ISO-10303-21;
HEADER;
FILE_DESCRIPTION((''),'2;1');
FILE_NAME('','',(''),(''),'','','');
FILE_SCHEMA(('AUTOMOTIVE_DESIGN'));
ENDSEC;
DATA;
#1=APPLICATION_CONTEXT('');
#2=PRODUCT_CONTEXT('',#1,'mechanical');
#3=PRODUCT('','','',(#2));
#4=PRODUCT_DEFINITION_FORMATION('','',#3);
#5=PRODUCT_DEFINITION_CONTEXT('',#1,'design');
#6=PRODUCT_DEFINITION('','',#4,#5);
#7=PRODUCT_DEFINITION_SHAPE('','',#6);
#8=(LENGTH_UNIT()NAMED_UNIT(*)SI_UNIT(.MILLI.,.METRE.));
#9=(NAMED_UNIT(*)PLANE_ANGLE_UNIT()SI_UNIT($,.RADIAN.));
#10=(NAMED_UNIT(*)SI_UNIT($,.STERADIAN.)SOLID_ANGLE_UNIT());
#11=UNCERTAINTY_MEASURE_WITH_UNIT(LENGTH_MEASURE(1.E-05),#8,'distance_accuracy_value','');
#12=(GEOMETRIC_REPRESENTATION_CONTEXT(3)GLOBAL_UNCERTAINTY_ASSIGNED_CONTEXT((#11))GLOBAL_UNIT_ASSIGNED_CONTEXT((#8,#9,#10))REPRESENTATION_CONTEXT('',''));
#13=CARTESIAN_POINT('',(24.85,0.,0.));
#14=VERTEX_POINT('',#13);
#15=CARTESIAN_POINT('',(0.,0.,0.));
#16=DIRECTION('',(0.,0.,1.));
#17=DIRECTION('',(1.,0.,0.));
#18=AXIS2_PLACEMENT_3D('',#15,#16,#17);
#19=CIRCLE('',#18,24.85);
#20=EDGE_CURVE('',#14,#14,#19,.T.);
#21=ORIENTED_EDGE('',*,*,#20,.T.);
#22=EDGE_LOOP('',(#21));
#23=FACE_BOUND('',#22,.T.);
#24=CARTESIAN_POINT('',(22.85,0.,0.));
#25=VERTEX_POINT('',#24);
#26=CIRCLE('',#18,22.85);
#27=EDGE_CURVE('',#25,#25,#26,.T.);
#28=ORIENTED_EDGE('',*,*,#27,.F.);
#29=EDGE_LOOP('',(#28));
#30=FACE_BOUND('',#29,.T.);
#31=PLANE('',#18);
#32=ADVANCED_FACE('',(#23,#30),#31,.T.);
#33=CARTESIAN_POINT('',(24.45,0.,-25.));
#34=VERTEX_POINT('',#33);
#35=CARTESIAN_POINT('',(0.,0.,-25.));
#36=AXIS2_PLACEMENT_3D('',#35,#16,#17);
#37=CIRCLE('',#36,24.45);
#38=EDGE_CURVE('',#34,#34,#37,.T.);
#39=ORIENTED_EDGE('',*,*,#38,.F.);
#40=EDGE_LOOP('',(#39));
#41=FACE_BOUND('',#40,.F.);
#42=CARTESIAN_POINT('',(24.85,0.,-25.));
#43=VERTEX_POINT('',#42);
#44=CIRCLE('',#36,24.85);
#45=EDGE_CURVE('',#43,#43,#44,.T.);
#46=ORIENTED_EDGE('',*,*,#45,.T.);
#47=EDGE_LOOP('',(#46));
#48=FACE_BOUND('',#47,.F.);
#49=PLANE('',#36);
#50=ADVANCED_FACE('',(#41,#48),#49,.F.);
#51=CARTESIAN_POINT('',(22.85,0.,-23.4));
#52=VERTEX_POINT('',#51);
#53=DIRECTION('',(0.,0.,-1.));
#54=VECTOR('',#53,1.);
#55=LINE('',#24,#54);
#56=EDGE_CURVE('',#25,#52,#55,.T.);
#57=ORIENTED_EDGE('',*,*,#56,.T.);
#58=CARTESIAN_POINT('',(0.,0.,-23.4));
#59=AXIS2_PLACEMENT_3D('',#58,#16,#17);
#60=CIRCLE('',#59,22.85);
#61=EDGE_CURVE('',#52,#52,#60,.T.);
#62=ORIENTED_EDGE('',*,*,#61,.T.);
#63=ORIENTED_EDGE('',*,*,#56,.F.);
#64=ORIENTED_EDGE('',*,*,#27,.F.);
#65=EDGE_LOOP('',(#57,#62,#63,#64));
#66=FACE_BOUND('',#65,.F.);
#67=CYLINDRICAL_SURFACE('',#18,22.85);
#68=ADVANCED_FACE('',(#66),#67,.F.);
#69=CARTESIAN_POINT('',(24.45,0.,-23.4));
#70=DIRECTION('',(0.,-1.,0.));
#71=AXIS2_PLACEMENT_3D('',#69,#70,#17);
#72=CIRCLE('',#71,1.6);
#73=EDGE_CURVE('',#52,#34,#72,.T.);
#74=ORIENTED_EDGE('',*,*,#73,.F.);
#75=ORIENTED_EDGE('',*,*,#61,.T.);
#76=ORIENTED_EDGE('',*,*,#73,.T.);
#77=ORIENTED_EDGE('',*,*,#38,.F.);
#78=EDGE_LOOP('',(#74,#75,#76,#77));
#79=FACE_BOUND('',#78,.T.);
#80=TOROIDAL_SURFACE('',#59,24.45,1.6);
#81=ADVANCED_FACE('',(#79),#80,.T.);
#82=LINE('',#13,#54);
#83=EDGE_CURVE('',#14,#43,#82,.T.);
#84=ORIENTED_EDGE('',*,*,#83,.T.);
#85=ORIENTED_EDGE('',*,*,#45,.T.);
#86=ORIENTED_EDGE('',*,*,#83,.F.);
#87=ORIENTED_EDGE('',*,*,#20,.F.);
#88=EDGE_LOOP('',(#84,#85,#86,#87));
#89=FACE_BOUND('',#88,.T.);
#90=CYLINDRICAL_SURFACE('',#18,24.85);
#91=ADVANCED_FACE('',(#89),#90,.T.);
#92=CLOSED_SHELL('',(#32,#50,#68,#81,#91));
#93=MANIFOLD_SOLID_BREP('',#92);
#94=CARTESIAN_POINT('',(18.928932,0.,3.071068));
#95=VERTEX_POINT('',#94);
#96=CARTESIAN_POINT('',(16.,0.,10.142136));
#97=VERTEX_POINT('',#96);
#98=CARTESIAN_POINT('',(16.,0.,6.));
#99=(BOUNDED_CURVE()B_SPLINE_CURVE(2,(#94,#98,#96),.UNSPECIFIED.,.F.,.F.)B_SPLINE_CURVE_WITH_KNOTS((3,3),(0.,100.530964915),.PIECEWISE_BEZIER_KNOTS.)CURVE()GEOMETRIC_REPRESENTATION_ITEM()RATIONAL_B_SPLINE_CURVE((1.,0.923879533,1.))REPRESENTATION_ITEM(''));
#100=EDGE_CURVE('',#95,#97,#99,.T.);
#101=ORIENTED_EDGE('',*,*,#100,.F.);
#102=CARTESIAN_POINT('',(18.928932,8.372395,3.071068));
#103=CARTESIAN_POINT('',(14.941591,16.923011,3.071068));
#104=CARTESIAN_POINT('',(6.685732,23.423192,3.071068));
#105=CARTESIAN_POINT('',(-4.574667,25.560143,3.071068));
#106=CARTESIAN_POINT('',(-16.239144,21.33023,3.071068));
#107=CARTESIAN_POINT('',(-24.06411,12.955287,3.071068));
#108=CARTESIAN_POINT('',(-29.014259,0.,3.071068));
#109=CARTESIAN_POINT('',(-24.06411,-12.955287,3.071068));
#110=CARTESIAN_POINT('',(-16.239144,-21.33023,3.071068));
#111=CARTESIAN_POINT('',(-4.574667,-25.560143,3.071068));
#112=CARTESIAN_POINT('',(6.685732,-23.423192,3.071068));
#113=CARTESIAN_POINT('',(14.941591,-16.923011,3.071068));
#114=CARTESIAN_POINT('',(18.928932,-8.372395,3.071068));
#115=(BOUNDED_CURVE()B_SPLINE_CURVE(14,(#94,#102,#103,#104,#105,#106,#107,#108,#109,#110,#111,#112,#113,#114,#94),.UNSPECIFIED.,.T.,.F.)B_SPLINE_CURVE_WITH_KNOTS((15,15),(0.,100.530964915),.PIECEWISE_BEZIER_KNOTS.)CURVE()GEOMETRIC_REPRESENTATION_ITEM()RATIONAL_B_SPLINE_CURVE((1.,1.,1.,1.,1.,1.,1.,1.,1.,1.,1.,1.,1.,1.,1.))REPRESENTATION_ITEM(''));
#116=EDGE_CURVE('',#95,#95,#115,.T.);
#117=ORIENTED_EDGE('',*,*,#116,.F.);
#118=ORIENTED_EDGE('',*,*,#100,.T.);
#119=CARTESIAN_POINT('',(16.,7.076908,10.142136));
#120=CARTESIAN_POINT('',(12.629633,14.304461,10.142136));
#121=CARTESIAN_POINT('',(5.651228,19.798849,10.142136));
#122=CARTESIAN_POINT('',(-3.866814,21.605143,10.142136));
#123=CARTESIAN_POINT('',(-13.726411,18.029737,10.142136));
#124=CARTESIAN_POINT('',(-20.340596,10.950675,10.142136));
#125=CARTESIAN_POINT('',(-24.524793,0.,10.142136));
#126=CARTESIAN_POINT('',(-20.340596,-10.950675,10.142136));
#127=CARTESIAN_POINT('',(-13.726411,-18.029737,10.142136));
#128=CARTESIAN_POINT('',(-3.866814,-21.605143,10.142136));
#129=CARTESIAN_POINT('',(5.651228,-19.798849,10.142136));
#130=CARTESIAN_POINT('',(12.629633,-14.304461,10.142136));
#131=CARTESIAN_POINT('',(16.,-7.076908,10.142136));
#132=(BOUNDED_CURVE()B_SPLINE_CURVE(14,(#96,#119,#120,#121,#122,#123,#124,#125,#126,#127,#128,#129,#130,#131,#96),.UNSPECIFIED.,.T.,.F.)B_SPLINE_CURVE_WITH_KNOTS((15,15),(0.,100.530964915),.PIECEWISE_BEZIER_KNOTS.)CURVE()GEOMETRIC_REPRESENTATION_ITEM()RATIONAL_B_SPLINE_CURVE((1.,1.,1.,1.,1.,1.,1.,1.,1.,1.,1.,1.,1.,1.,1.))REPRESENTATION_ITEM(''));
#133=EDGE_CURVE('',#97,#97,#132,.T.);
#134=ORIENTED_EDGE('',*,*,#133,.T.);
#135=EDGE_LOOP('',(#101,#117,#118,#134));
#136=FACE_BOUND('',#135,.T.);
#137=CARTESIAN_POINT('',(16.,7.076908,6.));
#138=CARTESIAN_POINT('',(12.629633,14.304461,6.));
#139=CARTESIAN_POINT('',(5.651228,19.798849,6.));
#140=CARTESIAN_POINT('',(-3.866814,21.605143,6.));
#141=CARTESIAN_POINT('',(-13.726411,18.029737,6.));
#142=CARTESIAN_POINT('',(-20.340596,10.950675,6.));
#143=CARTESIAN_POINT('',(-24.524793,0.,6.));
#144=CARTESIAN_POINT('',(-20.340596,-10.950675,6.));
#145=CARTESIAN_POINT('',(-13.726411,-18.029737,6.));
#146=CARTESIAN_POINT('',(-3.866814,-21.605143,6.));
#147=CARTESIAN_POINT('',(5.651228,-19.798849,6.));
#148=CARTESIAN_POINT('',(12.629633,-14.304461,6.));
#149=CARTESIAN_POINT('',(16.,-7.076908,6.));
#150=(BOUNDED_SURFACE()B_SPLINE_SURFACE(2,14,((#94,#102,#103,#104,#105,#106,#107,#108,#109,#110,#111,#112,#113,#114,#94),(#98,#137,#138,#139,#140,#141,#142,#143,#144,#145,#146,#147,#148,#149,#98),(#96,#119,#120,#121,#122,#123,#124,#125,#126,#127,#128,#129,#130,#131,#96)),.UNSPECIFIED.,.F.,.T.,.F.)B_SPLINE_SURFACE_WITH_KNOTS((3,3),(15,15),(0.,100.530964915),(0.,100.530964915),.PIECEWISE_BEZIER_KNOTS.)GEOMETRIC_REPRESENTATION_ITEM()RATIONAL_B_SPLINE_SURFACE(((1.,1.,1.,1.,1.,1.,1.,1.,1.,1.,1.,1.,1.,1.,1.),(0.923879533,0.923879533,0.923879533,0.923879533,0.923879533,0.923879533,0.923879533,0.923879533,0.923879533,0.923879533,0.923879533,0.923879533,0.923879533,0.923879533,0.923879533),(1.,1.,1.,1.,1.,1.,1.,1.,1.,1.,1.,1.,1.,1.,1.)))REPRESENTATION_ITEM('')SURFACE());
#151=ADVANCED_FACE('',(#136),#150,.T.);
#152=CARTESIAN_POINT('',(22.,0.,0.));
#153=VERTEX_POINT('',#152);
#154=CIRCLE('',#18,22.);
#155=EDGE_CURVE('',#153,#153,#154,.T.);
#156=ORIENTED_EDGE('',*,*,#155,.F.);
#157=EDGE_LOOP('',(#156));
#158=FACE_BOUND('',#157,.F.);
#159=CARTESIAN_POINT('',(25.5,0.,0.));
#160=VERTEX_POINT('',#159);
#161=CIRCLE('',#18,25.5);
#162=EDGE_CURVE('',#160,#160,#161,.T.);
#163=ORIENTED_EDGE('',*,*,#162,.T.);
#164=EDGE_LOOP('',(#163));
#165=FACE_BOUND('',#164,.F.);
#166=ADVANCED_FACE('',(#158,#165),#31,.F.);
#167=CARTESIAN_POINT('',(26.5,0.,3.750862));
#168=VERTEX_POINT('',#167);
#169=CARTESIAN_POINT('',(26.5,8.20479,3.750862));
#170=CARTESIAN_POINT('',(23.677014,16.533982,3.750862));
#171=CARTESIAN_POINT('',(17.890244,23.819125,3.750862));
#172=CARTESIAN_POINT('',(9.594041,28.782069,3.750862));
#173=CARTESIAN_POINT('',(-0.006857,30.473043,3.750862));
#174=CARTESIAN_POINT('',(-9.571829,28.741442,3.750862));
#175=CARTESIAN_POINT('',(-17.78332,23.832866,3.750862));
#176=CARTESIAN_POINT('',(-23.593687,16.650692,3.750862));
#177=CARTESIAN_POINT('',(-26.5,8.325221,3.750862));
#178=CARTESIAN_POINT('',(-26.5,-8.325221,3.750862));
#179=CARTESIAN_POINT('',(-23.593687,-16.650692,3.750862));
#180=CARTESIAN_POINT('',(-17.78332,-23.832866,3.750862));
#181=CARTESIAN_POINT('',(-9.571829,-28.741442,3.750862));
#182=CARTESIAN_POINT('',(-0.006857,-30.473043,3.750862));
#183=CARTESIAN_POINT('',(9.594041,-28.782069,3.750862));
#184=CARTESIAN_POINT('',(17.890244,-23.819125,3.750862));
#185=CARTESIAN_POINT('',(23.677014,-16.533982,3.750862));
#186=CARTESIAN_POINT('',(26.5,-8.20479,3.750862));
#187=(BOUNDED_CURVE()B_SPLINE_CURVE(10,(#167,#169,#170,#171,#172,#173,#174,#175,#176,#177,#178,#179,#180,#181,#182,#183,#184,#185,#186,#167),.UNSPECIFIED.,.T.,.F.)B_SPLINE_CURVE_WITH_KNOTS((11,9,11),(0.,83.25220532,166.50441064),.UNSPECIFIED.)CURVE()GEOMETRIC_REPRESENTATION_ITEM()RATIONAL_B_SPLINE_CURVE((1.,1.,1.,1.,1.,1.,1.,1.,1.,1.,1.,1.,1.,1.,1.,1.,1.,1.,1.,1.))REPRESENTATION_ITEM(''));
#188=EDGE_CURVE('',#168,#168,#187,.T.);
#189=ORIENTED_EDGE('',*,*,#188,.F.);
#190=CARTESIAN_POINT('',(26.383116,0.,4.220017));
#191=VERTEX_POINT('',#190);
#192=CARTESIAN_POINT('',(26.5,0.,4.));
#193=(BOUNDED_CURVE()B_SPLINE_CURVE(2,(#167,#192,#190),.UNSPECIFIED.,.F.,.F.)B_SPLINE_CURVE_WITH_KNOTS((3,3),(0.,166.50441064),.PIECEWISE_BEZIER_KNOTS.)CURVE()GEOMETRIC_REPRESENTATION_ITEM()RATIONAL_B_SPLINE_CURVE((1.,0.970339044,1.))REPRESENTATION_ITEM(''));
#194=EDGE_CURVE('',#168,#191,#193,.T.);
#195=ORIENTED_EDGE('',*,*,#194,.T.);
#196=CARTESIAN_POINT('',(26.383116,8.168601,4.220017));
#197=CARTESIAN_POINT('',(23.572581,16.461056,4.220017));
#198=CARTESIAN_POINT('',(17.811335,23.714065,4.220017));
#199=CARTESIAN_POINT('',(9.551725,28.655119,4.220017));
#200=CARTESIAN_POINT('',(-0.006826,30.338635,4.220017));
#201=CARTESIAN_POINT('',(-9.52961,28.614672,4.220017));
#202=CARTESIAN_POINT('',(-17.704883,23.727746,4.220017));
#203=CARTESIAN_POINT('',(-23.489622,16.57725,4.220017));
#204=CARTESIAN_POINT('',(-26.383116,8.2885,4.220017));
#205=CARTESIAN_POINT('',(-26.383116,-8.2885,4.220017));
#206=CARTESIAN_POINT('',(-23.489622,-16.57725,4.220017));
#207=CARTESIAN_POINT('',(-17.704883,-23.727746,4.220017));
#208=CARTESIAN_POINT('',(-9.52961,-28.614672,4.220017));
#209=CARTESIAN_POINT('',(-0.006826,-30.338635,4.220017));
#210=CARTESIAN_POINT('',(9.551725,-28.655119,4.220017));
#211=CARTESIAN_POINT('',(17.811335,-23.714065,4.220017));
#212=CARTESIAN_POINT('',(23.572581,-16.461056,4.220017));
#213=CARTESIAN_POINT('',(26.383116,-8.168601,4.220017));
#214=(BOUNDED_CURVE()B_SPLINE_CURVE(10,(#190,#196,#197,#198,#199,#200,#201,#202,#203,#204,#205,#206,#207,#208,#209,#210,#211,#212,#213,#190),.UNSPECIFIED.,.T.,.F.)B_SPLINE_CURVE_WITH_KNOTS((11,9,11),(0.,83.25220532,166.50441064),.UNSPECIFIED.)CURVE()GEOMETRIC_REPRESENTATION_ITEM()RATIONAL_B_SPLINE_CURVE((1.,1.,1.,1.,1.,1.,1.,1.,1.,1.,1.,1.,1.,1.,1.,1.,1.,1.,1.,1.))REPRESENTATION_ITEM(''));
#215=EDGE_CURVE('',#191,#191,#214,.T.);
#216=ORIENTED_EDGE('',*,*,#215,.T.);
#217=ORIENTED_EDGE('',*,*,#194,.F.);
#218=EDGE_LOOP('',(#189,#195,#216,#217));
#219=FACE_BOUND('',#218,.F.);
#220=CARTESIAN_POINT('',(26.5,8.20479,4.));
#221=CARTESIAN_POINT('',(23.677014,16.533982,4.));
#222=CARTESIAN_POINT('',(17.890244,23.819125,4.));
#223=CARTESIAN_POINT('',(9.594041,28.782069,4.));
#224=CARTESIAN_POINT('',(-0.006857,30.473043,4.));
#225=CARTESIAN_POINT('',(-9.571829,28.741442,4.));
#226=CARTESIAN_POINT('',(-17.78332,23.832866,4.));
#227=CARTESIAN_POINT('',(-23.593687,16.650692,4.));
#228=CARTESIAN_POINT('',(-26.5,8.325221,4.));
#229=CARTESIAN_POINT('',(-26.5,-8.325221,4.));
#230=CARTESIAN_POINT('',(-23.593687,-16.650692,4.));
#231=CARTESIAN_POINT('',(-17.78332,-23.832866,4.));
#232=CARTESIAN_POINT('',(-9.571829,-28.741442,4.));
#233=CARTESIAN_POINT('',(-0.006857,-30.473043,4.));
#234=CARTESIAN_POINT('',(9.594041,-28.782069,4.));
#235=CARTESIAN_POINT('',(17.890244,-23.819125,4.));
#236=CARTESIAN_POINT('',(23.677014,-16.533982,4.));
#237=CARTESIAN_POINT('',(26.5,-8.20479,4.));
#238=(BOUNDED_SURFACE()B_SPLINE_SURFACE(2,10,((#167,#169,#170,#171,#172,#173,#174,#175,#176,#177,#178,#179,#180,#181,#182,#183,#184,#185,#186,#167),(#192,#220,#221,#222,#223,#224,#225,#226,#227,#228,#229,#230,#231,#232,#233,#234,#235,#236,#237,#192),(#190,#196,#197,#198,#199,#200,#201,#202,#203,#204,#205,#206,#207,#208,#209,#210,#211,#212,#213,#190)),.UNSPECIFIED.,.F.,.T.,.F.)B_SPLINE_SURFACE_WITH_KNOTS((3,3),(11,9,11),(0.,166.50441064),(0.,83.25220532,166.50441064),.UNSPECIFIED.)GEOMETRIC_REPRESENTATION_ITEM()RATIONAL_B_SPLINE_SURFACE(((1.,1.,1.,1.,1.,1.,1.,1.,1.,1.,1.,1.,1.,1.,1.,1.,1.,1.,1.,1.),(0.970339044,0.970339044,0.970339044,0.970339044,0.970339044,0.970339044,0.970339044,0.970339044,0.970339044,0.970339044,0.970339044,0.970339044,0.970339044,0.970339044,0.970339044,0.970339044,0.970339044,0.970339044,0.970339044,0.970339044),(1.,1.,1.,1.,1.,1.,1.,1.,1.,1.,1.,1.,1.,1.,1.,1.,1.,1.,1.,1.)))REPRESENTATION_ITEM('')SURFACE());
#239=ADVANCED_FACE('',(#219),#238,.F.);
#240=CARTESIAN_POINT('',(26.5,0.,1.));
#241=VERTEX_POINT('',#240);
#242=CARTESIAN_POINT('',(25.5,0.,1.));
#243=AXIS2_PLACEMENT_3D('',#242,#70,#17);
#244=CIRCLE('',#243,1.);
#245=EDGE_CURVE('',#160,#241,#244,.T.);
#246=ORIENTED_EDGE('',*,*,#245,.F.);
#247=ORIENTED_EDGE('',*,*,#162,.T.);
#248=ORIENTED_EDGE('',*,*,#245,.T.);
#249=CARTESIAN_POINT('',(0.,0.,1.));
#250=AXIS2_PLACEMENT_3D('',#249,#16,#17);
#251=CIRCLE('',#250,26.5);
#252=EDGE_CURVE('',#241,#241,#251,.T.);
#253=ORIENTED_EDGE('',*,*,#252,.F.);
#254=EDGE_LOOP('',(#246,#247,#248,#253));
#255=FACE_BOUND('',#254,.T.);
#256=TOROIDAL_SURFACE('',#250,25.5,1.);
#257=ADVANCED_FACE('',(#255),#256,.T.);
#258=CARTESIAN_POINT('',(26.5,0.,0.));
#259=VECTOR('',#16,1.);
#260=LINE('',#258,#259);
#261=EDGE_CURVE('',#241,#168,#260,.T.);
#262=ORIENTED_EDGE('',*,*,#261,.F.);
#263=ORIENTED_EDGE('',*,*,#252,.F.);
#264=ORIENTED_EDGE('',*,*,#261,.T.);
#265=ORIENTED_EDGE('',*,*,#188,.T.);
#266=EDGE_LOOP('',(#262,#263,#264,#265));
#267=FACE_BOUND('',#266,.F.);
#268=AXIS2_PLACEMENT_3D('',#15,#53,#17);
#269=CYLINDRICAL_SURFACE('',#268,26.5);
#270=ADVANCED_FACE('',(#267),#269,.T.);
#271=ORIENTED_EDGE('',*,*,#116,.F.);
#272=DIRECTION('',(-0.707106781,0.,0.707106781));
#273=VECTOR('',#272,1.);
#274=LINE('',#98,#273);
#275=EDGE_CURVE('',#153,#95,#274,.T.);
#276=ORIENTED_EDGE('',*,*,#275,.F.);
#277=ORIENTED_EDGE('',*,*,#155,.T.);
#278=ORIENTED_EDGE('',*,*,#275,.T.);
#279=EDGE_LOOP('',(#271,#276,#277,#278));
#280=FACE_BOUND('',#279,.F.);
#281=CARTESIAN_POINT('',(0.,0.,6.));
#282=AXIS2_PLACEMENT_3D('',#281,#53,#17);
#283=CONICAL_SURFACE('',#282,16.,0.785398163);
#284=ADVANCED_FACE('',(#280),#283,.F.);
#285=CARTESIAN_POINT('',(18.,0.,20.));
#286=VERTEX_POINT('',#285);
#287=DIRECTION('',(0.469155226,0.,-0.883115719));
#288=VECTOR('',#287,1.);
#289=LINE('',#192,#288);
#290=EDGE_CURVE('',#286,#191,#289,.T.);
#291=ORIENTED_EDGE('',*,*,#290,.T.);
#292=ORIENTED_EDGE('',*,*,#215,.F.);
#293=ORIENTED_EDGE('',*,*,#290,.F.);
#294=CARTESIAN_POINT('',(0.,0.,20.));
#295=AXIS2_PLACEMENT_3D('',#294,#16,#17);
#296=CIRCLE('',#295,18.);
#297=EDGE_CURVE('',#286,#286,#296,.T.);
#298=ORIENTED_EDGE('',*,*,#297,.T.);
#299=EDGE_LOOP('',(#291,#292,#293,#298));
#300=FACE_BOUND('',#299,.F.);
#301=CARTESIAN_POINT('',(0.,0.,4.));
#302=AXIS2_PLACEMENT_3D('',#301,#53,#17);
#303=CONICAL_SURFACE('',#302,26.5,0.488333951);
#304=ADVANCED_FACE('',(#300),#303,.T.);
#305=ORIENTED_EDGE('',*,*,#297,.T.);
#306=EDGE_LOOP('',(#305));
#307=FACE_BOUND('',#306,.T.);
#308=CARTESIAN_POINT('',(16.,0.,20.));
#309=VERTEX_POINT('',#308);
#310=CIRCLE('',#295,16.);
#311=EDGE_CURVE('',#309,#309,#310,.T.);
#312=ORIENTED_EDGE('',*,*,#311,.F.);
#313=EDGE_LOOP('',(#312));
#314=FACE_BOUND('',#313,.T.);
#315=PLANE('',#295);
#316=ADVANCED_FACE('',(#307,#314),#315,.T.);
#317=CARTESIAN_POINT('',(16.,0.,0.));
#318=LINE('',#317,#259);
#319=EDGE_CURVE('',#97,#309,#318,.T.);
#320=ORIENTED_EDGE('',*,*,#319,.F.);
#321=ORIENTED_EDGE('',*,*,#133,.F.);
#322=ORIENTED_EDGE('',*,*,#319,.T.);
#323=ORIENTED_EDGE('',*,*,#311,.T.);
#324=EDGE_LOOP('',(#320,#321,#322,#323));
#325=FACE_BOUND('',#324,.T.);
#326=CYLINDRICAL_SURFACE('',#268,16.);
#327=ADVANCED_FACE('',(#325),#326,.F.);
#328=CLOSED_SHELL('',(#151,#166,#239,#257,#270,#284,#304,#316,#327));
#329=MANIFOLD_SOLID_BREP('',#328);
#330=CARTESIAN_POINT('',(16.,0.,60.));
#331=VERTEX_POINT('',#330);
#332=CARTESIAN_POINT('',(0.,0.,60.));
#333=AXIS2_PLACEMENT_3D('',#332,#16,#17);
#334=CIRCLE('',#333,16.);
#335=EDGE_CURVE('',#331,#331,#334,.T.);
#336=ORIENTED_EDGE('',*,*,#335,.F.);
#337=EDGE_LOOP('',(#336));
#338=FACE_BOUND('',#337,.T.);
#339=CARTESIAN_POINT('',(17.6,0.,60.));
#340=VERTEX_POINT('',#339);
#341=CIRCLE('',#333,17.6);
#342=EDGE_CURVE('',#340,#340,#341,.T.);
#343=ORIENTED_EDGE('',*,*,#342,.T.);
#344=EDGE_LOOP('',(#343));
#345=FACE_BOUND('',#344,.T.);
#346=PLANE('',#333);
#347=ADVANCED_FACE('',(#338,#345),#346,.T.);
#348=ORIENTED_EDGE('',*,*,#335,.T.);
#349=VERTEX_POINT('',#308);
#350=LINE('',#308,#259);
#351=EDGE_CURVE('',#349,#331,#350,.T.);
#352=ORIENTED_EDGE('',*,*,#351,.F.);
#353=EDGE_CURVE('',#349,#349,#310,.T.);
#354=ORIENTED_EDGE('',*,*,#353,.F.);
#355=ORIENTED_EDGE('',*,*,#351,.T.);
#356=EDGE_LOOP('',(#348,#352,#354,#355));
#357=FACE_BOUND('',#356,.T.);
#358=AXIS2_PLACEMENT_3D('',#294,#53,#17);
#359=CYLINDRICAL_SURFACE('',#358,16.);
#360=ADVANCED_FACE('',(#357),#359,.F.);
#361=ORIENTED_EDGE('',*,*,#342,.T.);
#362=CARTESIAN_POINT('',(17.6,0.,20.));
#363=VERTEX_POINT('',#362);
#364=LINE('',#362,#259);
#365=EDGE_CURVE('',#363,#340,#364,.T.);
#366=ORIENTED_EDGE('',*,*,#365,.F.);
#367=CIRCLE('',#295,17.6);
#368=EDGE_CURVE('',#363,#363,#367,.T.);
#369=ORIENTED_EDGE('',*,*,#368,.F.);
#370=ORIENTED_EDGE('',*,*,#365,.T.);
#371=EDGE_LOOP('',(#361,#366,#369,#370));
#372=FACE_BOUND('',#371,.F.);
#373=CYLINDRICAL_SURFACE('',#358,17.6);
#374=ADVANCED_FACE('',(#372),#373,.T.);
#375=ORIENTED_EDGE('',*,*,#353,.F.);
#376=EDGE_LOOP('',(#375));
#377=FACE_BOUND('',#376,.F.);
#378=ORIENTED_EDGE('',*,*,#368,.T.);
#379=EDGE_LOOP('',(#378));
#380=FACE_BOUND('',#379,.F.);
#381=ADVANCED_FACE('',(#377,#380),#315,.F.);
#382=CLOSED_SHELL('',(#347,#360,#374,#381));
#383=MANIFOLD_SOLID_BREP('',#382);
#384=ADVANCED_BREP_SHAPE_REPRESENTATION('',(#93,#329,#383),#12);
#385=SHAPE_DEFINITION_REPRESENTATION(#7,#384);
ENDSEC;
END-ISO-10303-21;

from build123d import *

# Parameters (mm, degrees)
F0_R     = 24.85
F0_R_2   = 22.85
F1_DEPTH = 25
F2_START = 20
F0_R_3   = 17.6
F0_R_4   = 16
F2_DEPTH = 40
F0_R_5   = 26.5
F3_DEPTH = 20
F4_SIZE2 = 16
F4_SIZE  = 8.5
F5_SIZE  = 6
F6_R     = 10
F7_R     = 1.6
F8_R     = 1


with BuildPart() as f1:
    # F0 (on Top) → F1 (new body)
    with BuildSketch(Plane.XY):
        Circle(F0_R)
        Circle(F0_R_2, mode=Mode.SUBTRACT)
    extrude(amount=-F1_DEPTH)

    # F7
    f7_edges = [f1.edges().sort_by_distance(p)[0] for p in [
        (-22.85, 0, -25),
    ]]
    fillet(f7_edges, radius=F7_R)


with BuildPart() as f2:
    # F0 (on Top) → F2 (new body)
    with BuildSketch(Plane.XY.offset(F2_START)):
        Circle(F0_R_3)
        Circle(F0_R_4, mode=Mode.SUBTRACT)
    extrude(amount=F2_DEPTH)


with BuildPart() as f3:
    # F0 (on Top) → F3 (new body)
    with BuildSketch(Plane.XY):
        Circle(F0_R_5)
        Circle(F0_R, mode=Mode.SUBTRACT)
        Circle(F0_R)
        Circle(F0_R_2, mode=Mode.SUBTRACT)
        Circle(F0_R_2)
        Circle(F0_R_3, mode=Mode.SUBTRACT)
        Circle(F0_R_3)
        Circle(F0_R_4, mode=Mode.SUBTRACT)
    extrude(amount=F3_DEPTH)

    # F4
    f4_edges = [f3.edges().sort_by_distance(p)[0] for p in [
        (-26.5, 0, 20),
    ]]
    f4_side = f3.faces().sort_by_distance((-16.749533, 0, 20))[0]
    chamfer(f4_edges, length=F4_SIZE, length2=F4_SIZE2, reference=f4_side)

    # F5
    f5_edges = [f3.edges().sort_by_distance(p)[0] for p in [
        (-16, 0, 0),
    ]]
    chamfer(f5_edges, length=F5_SIZE)

    # F6
    f6_edges = [f3.edges().sort_by_distance(p)[0] for p in [
        (-16, 0, 6),
    ]]
    fillet(f6_edges, radius=F6_R)

    # F8
    f8_edges = [f3.edges().sort_by_distance(p)[0] for p in [
        (-26.5, 0, 0),
        (-26.5, 0, 4),
    ]]
    fillet(f8_edges, radius=F8_R)


solid = Compound([f1.part, f2.part, f3.part])
